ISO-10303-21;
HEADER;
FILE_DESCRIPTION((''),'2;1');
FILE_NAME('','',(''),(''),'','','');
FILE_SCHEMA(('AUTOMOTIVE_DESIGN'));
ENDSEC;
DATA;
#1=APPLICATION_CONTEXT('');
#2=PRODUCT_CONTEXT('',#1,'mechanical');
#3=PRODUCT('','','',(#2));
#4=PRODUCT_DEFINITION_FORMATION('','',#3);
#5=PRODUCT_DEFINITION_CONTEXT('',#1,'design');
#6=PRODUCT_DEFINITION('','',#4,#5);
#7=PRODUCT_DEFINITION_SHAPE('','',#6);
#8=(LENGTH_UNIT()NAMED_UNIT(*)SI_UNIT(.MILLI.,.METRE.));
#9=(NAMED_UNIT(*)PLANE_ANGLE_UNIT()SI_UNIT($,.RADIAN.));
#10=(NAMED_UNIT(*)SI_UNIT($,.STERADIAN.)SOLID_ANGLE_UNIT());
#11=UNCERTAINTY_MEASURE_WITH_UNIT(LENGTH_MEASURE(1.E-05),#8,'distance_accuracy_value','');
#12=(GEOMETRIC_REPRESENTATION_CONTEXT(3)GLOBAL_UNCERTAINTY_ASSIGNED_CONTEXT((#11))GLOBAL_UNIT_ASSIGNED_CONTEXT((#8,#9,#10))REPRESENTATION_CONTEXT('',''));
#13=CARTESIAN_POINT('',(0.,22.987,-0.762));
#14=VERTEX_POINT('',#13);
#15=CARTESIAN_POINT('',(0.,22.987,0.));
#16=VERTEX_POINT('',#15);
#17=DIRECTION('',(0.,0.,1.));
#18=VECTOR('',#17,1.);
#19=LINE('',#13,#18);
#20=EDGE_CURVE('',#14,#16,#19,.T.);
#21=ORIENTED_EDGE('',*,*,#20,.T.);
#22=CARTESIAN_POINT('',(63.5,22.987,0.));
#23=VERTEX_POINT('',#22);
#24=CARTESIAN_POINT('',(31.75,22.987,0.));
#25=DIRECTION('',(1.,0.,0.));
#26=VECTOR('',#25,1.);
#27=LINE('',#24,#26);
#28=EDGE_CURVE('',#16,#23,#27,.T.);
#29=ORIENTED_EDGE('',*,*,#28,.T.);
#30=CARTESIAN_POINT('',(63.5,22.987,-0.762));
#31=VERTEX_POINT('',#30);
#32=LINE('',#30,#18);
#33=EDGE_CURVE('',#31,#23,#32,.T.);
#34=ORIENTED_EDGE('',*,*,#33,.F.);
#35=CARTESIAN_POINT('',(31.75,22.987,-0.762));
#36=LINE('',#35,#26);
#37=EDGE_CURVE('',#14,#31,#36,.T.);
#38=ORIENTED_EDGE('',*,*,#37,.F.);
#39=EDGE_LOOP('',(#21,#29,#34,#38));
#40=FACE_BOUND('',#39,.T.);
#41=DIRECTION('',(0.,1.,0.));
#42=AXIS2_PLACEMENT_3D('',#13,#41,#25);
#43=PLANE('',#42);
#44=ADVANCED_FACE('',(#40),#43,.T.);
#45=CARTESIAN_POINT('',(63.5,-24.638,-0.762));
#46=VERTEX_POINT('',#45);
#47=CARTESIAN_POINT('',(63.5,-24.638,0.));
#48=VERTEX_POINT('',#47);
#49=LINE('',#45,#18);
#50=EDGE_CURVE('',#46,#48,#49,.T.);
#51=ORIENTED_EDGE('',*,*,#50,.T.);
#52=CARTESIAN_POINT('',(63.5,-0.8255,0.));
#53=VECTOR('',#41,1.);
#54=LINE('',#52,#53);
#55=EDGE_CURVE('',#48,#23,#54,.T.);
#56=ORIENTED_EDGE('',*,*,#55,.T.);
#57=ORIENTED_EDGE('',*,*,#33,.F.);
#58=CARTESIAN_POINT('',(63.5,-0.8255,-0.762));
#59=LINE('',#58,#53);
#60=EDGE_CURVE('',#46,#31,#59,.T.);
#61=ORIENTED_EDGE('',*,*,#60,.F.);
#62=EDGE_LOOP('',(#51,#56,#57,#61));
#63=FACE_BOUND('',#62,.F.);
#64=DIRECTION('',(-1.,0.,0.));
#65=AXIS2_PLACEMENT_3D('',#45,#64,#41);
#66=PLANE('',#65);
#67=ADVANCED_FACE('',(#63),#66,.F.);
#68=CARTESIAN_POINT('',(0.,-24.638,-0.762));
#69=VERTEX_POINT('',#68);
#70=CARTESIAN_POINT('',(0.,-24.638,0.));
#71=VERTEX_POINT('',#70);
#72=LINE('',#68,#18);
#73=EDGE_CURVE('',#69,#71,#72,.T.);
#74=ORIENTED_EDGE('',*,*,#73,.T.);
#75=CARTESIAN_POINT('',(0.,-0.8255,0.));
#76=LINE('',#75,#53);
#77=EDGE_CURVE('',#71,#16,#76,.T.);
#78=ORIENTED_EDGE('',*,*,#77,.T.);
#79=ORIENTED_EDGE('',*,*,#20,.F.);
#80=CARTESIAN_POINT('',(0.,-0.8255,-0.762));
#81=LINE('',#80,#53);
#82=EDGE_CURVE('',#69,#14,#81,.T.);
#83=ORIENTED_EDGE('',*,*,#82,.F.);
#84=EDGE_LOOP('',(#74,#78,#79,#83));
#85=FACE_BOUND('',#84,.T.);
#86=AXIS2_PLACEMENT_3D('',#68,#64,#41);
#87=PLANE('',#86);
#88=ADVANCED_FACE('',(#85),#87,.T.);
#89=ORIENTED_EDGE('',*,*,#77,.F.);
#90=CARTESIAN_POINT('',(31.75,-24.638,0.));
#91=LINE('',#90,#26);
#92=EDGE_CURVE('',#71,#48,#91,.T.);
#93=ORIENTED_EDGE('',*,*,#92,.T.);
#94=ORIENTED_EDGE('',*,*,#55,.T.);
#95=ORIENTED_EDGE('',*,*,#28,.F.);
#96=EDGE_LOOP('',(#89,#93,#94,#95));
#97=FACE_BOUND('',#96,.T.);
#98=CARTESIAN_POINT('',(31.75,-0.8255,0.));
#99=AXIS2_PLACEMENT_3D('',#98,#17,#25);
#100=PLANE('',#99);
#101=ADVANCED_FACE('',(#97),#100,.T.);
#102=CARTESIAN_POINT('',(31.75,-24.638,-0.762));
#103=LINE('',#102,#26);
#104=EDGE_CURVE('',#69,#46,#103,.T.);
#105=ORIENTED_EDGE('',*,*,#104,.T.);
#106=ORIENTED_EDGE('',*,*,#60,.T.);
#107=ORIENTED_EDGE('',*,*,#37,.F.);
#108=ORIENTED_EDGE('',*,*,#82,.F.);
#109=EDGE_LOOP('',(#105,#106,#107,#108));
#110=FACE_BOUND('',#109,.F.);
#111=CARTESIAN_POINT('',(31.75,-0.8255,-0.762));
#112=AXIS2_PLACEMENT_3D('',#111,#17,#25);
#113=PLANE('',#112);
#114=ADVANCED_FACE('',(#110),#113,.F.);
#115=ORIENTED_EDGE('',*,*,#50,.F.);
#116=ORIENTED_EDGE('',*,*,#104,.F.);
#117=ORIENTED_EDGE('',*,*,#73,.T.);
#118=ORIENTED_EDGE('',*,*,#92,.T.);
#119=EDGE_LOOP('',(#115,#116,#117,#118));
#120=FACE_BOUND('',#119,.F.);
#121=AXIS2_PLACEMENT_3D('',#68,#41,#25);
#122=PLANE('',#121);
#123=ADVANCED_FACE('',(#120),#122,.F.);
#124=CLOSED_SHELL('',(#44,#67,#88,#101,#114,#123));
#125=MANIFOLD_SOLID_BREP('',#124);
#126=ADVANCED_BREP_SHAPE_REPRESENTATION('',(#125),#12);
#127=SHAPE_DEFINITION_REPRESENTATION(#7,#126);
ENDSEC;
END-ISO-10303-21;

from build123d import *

# Parameters (mm, degrees)
F0_W     = 63.5
F0_H     = 47.625
F1_DEPTH = 0.762


with BuildPart() as f1:
    # F0 (on Top) → F1 (new body)
    with BuildSketch(Plane.XY):
        with Locations((38.5716339052, 3.8929983824)):
            Rectangle(F0_W, F0_H)
    extrude(amount=F1_DEPTH)


with BuildPart() as f1_1:
    # F2: moved
    add(f1.part.moved(Location((-6.8216339052, 19.9195016176, -0.762))))


with BuildPart() as f1_2:
    # F3: moved
    add(f1_1.part.moved(Location((0, -24.638, 0))))


solid = f1_2.part
